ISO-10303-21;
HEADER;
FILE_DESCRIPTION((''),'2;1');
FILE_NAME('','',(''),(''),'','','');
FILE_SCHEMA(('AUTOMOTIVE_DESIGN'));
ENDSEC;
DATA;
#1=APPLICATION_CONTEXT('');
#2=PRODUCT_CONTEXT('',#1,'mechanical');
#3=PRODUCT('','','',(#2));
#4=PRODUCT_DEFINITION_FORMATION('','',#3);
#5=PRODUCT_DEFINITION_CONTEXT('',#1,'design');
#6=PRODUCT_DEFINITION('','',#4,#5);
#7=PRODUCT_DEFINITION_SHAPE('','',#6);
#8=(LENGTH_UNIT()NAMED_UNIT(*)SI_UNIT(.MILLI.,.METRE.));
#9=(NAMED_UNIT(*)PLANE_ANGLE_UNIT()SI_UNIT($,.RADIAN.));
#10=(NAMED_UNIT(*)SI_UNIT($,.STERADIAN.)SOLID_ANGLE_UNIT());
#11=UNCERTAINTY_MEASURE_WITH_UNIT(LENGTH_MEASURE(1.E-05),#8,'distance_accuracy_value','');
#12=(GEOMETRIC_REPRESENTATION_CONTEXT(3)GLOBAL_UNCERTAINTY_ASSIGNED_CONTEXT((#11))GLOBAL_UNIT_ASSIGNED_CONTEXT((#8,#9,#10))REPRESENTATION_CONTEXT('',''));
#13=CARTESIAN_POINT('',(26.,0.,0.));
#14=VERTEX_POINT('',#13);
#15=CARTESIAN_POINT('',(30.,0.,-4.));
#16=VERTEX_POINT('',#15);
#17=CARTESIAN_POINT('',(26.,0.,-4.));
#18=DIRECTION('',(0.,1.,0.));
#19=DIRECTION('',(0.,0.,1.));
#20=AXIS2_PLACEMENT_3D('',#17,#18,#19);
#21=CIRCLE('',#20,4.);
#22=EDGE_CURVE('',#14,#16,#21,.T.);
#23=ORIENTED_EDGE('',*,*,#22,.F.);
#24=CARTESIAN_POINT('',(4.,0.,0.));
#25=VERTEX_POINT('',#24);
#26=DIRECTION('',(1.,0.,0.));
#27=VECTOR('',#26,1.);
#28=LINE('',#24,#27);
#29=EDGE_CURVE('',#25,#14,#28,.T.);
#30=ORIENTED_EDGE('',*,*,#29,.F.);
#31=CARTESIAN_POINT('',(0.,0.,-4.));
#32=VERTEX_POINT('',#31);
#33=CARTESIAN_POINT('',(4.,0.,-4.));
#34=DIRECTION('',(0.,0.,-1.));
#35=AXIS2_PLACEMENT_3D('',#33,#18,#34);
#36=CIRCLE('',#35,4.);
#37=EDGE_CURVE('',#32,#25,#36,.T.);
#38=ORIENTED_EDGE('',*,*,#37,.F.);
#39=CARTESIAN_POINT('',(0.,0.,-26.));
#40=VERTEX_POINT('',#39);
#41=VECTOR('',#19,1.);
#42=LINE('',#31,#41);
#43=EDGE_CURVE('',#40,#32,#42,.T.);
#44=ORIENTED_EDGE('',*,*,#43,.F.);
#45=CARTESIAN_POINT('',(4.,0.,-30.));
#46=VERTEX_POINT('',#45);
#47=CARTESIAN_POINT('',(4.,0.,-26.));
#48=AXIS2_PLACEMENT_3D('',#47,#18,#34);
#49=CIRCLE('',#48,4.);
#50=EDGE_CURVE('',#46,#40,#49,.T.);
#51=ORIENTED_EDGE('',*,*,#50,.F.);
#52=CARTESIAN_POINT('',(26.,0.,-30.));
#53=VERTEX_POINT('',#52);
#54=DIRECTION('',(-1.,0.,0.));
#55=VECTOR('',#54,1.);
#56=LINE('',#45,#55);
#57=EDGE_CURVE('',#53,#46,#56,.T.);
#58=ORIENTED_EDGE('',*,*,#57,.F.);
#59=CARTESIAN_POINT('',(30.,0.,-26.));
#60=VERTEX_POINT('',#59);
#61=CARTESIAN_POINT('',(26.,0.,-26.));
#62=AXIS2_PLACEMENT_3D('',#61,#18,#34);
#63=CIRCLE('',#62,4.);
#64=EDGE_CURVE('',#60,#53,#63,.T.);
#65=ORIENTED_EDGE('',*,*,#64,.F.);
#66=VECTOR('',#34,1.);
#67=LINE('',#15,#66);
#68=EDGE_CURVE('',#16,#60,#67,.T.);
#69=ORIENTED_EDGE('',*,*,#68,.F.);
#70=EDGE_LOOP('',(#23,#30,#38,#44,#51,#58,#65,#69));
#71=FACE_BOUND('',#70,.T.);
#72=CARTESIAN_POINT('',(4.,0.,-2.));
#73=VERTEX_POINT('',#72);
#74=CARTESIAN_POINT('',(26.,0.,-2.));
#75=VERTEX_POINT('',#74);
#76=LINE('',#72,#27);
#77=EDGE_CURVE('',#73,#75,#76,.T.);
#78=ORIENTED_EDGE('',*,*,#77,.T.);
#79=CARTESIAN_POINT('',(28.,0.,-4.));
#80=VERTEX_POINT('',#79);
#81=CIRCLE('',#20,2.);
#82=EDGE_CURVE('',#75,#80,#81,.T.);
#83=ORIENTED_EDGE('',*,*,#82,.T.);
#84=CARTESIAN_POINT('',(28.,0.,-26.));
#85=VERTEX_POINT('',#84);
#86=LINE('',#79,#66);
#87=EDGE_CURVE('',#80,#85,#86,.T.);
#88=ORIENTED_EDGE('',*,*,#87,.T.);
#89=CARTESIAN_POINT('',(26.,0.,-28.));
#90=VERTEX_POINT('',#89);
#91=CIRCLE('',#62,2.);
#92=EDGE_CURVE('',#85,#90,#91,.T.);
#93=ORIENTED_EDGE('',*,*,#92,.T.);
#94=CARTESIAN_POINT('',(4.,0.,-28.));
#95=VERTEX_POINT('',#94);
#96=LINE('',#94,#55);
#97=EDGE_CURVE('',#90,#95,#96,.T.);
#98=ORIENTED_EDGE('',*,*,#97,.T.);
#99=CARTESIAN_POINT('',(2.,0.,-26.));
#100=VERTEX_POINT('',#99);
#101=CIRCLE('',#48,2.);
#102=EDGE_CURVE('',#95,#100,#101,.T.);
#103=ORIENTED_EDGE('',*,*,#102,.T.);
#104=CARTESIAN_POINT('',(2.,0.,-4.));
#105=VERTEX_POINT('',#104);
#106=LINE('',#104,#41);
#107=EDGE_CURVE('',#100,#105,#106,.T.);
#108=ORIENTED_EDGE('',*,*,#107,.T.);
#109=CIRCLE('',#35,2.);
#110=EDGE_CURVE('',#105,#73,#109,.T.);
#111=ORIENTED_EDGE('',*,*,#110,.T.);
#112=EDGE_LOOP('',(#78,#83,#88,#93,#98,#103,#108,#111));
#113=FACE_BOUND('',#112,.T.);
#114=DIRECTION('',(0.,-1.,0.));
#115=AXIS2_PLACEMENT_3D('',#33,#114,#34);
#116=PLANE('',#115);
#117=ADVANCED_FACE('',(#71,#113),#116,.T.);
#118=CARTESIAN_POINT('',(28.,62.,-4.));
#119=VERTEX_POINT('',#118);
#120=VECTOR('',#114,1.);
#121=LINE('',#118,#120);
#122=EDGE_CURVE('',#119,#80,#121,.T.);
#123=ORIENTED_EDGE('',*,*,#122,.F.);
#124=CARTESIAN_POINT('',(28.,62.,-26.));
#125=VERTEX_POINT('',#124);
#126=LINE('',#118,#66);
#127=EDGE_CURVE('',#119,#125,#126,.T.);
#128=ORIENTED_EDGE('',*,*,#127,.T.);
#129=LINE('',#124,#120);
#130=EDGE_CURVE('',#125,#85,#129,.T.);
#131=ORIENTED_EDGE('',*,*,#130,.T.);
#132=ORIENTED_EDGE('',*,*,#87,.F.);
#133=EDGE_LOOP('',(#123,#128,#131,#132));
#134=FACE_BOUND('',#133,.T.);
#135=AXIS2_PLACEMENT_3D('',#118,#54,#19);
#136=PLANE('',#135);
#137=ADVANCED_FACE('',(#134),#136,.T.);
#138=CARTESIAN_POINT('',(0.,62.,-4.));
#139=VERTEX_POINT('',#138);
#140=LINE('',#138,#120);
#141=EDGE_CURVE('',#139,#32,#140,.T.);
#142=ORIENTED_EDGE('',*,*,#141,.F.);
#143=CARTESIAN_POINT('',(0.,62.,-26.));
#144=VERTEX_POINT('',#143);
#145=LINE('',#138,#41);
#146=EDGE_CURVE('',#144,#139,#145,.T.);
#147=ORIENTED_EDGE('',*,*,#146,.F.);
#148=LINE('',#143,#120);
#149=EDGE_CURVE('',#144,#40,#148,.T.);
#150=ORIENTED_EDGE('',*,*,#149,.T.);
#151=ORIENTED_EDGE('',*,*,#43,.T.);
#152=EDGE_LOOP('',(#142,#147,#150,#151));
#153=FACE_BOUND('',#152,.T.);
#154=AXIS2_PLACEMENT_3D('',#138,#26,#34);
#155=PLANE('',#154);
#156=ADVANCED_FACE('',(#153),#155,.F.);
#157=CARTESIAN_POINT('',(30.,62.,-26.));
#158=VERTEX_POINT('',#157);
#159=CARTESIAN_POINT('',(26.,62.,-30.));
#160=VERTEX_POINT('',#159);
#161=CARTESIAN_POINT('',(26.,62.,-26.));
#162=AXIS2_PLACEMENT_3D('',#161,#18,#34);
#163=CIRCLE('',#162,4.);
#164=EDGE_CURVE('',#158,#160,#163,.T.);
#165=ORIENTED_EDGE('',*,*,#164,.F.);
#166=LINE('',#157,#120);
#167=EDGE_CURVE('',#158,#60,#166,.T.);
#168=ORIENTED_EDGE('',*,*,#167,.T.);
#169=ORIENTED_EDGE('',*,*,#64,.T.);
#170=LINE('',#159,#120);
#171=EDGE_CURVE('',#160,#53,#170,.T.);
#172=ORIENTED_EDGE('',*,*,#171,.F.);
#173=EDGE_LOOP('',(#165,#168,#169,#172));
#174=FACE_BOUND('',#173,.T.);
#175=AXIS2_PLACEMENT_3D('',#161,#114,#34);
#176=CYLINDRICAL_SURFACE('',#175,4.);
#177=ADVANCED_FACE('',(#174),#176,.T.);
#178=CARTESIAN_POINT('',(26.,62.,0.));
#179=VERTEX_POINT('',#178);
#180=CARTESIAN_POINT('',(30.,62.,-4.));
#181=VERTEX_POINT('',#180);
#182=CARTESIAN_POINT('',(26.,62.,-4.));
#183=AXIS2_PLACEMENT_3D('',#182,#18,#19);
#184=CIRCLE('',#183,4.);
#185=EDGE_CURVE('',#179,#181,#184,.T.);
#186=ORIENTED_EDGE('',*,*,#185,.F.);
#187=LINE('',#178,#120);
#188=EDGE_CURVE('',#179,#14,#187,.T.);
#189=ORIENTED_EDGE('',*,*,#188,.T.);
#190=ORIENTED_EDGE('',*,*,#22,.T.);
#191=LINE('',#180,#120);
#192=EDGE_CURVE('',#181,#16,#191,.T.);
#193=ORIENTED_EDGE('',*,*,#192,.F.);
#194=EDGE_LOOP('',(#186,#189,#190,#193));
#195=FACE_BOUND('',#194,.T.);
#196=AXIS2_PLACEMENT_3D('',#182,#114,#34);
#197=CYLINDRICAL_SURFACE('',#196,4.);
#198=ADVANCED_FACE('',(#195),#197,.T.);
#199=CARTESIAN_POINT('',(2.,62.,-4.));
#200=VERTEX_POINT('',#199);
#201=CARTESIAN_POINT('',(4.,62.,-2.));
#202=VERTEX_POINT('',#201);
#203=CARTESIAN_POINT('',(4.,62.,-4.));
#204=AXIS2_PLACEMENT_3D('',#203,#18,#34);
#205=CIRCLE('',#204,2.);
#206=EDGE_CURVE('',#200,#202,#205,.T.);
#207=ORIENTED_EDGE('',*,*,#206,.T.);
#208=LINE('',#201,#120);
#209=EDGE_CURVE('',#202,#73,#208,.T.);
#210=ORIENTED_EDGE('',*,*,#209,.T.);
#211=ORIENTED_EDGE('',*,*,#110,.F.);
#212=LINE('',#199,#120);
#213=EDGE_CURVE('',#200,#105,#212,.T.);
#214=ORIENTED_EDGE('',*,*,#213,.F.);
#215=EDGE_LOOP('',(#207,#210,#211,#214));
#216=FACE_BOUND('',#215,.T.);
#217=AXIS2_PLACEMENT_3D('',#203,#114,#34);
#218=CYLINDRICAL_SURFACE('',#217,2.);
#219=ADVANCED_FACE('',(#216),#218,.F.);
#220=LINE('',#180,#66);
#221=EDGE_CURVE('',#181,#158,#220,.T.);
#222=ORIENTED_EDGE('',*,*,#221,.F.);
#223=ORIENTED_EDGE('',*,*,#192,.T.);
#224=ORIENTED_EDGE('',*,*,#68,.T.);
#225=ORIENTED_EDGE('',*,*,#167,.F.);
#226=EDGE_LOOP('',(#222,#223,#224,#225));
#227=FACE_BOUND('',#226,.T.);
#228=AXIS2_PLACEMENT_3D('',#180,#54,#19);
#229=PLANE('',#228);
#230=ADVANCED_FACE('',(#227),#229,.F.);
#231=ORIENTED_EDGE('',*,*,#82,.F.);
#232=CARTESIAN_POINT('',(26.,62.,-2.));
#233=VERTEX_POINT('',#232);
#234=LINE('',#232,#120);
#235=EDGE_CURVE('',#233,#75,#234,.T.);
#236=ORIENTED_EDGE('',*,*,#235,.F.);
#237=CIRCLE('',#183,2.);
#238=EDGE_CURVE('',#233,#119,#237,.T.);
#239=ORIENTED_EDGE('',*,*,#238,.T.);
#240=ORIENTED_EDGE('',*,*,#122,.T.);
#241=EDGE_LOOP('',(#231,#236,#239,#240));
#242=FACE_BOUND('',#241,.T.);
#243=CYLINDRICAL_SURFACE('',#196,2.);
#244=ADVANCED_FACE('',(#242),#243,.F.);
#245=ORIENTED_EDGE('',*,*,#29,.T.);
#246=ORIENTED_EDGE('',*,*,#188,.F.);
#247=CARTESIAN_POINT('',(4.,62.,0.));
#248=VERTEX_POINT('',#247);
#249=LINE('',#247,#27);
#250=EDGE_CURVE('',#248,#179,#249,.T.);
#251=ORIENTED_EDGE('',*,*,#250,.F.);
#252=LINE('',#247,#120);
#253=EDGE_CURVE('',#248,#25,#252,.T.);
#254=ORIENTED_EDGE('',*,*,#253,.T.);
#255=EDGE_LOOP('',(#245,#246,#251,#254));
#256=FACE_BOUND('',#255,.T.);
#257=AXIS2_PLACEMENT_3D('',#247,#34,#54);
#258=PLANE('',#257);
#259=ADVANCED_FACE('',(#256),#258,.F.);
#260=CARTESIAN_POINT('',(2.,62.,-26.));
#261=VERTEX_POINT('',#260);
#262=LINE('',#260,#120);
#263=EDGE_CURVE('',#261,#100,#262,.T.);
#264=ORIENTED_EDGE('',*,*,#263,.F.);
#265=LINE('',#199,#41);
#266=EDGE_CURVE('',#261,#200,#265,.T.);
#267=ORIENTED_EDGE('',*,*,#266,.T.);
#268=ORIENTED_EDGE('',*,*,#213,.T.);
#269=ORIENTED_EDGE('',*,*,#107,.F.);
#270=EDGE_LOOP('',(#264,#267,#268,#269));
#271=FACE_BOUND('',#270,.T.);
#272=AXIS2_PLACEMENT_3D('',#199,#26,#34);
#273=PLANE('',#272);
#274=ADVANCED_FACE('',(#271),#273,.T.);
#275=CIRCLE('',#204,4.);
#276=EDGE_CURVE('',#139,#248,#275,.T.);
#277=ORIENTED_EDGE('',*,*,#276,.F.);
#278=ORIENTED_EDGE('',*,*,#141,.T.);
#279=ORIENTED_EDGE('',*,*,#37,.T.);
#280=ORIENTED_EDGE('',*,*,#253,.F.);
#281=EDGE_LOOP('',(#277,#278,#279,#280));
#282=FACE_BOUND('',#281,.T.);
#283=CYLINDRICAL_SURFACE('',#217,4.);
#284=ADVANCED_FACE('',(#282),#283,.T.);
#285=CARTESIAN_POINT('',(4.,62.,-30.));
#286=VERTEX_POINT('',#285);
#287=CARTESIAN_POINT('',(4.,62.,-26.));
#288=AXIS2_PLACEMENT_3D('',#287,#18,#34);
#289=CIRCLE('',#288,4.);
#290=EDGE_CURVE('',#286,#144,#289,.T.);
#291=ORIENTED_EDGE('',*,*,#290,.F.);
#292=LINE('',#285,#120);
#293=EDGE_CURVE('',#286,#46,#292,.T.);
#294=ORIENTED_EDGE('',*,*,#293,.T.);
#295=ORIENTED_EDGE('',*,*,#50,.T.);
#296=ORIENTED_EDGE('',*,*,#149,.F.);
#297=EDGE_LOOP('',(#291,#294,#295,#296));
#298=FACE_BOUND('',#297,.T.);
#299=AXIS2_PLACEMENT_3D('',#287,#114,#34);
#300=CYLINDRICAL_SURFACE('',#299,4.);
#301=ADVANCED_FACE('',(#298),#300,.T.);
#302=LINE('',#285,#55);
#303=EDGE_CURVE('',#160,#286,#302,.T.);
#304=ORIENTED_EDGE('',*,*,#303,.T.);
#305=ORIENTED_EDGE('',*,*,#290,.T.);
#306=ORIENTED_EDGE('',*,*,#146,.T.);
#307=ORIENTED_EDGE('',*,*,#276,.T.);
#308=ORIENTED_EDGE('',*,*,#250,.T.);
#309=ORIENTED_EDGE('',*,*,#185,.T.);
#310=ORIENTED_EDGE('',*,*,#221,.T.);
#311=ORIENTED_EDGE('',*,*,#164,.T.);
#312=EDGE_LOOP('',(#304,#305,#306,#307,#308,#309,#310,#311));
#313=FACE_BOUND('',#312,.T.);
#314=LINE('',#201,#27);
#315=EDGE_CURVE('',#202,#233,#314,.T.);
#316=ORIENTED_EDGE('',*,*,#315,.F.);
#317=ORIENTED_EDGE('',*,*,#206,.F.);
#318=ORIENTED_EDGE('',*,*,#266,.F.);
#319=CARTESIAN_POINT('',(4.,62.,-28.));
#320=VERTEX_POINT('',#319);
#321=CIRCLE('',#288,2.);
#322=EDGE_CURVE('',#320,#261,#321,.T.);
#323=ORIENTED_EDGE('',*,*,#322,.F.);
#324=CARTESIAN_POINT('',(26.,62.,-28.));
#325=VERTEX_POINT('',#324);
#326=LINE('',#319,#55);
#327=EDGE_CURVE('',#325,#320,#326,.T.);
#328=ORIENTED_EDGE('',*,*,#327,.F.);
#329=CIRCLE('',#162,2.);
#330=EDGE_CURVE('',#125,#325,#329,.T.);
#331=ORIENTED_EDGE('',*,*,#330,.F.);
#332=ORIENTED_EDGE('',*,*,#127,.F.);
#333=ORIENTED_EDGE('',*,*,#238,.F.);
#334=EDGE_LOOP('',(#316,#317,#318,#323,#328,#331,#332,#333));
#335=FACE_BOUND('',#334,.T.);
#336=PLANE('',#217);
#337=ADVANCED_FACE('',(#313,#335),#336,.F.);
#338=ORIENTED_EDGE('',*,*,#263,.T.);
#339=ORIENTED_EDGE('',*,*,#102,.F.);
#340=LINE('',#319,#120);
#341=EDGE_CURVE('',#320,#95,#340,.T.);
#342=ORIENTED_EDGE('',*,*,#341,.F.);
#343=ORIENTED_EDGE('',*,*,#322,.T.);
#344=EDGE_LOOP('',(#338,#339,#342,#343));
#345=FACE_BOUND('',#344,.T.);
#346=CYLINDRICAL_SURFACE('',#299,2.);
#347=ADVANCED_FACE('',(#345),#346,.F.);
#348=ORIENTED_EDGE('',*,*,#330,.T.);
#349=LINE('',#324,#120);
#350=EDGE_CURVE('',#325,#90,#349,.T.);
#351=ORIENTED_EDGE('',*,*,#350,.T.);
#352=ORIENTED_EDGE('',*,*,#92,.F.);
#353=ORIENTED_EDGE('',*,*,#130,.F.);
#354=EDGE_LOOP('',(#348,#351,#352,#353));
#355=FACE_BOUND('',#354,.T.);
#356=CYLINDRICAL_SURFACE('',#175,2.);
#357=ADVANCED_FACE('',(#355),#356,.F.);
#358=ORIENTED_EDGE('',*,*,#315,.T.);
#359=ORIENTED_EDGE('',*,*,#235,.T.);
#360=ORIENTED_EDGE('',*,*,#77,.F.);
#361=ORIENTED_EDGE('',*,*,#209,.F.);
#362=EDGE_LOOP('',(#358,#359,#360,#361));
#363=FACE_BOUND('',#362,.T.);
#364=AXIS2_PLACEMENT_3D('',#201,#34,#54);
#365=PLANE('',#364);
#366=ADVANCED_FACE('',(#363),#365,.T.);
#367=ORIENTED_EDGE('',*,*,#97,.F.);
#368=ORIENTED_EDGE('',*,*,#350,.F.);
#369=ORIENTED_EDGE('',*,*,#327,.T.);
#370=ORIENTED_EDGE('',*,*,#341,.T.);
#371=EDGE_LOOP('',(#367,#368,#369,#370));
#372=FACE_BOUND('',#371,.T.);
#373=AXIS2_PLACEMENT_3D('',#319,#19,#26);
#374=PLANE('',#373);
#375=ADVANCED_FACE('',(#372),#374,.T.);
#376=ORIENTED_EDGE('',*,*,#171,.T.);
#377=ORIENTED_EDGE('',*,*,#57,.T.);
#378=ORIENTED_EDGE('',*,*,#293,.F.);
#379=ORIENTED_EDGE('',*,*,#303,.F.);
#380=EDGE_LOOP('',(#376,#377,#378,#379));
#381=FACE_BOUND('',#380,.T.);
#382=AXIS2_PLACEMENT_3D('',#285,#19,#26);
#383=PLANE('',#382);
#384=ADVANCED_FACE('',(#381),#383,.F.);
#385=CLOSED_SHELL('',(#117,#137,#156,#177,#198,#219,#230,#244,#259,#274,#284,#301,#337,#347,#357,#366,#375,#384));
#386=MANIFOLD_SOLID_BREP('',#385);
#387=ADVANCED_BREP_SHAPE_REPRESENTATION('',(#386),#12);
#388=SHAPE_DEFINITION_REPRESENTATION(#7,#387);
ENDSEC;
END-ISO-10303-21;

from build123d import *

# Parameters (mm, degrees)
EXTRUDE_1_DEPTH = 62


with BuildPart() as part:
    # 草图1 → 凸台-拉伸1 (new body)
    with BuildSketch(Plane(origin=(0, 0, 0), x_dir=(1, 0, 0), z_dir=(0, 1, 0))):
        with BuildLine():
            Line((4, 0), (26, 0))
            ThreePointArc((26, 0), (28.828427125, 1.171572875), (30, 4))
            Line((30, 4), (30, 26))
            ThreePointArc((30, 26), (28.828427125, 28.828427125), (26, 30))
            Line((26, 30), (4, 30))
            ThreePointArc((4, 30), (1.171572875, 28.828427125), (0, 26))
            Line((0, 26), (0, 4))
            ThreePointArc((0, 4), (1.171572875, 1.171572875), (4, 0))
        make_face()
        with BuildLine():
            Line((4, 2), (26, 2))
            ThreePointArc((26, 2), (27.414213562, 2.585786438), (28, 4))
            Line((28, 4), (28, 26))
            ThreePointArc((28, 26), (27.414213562, 27.414213562), (26, 28))
            Line((26, 28), (4, 28))
            ThreePointArc((4, 28), (2.585786438, 27.414213562), (2, 26))
            Line((2, 26), (2, 4))
            ThreePointArc((2, 4), (2.585786438, 2.585786438), (4, 2))
        make_face(mode=Mode.SUBTRACT)
    extrude(amount=EXTRUDE_1_DEPTH)


solid = part.part
